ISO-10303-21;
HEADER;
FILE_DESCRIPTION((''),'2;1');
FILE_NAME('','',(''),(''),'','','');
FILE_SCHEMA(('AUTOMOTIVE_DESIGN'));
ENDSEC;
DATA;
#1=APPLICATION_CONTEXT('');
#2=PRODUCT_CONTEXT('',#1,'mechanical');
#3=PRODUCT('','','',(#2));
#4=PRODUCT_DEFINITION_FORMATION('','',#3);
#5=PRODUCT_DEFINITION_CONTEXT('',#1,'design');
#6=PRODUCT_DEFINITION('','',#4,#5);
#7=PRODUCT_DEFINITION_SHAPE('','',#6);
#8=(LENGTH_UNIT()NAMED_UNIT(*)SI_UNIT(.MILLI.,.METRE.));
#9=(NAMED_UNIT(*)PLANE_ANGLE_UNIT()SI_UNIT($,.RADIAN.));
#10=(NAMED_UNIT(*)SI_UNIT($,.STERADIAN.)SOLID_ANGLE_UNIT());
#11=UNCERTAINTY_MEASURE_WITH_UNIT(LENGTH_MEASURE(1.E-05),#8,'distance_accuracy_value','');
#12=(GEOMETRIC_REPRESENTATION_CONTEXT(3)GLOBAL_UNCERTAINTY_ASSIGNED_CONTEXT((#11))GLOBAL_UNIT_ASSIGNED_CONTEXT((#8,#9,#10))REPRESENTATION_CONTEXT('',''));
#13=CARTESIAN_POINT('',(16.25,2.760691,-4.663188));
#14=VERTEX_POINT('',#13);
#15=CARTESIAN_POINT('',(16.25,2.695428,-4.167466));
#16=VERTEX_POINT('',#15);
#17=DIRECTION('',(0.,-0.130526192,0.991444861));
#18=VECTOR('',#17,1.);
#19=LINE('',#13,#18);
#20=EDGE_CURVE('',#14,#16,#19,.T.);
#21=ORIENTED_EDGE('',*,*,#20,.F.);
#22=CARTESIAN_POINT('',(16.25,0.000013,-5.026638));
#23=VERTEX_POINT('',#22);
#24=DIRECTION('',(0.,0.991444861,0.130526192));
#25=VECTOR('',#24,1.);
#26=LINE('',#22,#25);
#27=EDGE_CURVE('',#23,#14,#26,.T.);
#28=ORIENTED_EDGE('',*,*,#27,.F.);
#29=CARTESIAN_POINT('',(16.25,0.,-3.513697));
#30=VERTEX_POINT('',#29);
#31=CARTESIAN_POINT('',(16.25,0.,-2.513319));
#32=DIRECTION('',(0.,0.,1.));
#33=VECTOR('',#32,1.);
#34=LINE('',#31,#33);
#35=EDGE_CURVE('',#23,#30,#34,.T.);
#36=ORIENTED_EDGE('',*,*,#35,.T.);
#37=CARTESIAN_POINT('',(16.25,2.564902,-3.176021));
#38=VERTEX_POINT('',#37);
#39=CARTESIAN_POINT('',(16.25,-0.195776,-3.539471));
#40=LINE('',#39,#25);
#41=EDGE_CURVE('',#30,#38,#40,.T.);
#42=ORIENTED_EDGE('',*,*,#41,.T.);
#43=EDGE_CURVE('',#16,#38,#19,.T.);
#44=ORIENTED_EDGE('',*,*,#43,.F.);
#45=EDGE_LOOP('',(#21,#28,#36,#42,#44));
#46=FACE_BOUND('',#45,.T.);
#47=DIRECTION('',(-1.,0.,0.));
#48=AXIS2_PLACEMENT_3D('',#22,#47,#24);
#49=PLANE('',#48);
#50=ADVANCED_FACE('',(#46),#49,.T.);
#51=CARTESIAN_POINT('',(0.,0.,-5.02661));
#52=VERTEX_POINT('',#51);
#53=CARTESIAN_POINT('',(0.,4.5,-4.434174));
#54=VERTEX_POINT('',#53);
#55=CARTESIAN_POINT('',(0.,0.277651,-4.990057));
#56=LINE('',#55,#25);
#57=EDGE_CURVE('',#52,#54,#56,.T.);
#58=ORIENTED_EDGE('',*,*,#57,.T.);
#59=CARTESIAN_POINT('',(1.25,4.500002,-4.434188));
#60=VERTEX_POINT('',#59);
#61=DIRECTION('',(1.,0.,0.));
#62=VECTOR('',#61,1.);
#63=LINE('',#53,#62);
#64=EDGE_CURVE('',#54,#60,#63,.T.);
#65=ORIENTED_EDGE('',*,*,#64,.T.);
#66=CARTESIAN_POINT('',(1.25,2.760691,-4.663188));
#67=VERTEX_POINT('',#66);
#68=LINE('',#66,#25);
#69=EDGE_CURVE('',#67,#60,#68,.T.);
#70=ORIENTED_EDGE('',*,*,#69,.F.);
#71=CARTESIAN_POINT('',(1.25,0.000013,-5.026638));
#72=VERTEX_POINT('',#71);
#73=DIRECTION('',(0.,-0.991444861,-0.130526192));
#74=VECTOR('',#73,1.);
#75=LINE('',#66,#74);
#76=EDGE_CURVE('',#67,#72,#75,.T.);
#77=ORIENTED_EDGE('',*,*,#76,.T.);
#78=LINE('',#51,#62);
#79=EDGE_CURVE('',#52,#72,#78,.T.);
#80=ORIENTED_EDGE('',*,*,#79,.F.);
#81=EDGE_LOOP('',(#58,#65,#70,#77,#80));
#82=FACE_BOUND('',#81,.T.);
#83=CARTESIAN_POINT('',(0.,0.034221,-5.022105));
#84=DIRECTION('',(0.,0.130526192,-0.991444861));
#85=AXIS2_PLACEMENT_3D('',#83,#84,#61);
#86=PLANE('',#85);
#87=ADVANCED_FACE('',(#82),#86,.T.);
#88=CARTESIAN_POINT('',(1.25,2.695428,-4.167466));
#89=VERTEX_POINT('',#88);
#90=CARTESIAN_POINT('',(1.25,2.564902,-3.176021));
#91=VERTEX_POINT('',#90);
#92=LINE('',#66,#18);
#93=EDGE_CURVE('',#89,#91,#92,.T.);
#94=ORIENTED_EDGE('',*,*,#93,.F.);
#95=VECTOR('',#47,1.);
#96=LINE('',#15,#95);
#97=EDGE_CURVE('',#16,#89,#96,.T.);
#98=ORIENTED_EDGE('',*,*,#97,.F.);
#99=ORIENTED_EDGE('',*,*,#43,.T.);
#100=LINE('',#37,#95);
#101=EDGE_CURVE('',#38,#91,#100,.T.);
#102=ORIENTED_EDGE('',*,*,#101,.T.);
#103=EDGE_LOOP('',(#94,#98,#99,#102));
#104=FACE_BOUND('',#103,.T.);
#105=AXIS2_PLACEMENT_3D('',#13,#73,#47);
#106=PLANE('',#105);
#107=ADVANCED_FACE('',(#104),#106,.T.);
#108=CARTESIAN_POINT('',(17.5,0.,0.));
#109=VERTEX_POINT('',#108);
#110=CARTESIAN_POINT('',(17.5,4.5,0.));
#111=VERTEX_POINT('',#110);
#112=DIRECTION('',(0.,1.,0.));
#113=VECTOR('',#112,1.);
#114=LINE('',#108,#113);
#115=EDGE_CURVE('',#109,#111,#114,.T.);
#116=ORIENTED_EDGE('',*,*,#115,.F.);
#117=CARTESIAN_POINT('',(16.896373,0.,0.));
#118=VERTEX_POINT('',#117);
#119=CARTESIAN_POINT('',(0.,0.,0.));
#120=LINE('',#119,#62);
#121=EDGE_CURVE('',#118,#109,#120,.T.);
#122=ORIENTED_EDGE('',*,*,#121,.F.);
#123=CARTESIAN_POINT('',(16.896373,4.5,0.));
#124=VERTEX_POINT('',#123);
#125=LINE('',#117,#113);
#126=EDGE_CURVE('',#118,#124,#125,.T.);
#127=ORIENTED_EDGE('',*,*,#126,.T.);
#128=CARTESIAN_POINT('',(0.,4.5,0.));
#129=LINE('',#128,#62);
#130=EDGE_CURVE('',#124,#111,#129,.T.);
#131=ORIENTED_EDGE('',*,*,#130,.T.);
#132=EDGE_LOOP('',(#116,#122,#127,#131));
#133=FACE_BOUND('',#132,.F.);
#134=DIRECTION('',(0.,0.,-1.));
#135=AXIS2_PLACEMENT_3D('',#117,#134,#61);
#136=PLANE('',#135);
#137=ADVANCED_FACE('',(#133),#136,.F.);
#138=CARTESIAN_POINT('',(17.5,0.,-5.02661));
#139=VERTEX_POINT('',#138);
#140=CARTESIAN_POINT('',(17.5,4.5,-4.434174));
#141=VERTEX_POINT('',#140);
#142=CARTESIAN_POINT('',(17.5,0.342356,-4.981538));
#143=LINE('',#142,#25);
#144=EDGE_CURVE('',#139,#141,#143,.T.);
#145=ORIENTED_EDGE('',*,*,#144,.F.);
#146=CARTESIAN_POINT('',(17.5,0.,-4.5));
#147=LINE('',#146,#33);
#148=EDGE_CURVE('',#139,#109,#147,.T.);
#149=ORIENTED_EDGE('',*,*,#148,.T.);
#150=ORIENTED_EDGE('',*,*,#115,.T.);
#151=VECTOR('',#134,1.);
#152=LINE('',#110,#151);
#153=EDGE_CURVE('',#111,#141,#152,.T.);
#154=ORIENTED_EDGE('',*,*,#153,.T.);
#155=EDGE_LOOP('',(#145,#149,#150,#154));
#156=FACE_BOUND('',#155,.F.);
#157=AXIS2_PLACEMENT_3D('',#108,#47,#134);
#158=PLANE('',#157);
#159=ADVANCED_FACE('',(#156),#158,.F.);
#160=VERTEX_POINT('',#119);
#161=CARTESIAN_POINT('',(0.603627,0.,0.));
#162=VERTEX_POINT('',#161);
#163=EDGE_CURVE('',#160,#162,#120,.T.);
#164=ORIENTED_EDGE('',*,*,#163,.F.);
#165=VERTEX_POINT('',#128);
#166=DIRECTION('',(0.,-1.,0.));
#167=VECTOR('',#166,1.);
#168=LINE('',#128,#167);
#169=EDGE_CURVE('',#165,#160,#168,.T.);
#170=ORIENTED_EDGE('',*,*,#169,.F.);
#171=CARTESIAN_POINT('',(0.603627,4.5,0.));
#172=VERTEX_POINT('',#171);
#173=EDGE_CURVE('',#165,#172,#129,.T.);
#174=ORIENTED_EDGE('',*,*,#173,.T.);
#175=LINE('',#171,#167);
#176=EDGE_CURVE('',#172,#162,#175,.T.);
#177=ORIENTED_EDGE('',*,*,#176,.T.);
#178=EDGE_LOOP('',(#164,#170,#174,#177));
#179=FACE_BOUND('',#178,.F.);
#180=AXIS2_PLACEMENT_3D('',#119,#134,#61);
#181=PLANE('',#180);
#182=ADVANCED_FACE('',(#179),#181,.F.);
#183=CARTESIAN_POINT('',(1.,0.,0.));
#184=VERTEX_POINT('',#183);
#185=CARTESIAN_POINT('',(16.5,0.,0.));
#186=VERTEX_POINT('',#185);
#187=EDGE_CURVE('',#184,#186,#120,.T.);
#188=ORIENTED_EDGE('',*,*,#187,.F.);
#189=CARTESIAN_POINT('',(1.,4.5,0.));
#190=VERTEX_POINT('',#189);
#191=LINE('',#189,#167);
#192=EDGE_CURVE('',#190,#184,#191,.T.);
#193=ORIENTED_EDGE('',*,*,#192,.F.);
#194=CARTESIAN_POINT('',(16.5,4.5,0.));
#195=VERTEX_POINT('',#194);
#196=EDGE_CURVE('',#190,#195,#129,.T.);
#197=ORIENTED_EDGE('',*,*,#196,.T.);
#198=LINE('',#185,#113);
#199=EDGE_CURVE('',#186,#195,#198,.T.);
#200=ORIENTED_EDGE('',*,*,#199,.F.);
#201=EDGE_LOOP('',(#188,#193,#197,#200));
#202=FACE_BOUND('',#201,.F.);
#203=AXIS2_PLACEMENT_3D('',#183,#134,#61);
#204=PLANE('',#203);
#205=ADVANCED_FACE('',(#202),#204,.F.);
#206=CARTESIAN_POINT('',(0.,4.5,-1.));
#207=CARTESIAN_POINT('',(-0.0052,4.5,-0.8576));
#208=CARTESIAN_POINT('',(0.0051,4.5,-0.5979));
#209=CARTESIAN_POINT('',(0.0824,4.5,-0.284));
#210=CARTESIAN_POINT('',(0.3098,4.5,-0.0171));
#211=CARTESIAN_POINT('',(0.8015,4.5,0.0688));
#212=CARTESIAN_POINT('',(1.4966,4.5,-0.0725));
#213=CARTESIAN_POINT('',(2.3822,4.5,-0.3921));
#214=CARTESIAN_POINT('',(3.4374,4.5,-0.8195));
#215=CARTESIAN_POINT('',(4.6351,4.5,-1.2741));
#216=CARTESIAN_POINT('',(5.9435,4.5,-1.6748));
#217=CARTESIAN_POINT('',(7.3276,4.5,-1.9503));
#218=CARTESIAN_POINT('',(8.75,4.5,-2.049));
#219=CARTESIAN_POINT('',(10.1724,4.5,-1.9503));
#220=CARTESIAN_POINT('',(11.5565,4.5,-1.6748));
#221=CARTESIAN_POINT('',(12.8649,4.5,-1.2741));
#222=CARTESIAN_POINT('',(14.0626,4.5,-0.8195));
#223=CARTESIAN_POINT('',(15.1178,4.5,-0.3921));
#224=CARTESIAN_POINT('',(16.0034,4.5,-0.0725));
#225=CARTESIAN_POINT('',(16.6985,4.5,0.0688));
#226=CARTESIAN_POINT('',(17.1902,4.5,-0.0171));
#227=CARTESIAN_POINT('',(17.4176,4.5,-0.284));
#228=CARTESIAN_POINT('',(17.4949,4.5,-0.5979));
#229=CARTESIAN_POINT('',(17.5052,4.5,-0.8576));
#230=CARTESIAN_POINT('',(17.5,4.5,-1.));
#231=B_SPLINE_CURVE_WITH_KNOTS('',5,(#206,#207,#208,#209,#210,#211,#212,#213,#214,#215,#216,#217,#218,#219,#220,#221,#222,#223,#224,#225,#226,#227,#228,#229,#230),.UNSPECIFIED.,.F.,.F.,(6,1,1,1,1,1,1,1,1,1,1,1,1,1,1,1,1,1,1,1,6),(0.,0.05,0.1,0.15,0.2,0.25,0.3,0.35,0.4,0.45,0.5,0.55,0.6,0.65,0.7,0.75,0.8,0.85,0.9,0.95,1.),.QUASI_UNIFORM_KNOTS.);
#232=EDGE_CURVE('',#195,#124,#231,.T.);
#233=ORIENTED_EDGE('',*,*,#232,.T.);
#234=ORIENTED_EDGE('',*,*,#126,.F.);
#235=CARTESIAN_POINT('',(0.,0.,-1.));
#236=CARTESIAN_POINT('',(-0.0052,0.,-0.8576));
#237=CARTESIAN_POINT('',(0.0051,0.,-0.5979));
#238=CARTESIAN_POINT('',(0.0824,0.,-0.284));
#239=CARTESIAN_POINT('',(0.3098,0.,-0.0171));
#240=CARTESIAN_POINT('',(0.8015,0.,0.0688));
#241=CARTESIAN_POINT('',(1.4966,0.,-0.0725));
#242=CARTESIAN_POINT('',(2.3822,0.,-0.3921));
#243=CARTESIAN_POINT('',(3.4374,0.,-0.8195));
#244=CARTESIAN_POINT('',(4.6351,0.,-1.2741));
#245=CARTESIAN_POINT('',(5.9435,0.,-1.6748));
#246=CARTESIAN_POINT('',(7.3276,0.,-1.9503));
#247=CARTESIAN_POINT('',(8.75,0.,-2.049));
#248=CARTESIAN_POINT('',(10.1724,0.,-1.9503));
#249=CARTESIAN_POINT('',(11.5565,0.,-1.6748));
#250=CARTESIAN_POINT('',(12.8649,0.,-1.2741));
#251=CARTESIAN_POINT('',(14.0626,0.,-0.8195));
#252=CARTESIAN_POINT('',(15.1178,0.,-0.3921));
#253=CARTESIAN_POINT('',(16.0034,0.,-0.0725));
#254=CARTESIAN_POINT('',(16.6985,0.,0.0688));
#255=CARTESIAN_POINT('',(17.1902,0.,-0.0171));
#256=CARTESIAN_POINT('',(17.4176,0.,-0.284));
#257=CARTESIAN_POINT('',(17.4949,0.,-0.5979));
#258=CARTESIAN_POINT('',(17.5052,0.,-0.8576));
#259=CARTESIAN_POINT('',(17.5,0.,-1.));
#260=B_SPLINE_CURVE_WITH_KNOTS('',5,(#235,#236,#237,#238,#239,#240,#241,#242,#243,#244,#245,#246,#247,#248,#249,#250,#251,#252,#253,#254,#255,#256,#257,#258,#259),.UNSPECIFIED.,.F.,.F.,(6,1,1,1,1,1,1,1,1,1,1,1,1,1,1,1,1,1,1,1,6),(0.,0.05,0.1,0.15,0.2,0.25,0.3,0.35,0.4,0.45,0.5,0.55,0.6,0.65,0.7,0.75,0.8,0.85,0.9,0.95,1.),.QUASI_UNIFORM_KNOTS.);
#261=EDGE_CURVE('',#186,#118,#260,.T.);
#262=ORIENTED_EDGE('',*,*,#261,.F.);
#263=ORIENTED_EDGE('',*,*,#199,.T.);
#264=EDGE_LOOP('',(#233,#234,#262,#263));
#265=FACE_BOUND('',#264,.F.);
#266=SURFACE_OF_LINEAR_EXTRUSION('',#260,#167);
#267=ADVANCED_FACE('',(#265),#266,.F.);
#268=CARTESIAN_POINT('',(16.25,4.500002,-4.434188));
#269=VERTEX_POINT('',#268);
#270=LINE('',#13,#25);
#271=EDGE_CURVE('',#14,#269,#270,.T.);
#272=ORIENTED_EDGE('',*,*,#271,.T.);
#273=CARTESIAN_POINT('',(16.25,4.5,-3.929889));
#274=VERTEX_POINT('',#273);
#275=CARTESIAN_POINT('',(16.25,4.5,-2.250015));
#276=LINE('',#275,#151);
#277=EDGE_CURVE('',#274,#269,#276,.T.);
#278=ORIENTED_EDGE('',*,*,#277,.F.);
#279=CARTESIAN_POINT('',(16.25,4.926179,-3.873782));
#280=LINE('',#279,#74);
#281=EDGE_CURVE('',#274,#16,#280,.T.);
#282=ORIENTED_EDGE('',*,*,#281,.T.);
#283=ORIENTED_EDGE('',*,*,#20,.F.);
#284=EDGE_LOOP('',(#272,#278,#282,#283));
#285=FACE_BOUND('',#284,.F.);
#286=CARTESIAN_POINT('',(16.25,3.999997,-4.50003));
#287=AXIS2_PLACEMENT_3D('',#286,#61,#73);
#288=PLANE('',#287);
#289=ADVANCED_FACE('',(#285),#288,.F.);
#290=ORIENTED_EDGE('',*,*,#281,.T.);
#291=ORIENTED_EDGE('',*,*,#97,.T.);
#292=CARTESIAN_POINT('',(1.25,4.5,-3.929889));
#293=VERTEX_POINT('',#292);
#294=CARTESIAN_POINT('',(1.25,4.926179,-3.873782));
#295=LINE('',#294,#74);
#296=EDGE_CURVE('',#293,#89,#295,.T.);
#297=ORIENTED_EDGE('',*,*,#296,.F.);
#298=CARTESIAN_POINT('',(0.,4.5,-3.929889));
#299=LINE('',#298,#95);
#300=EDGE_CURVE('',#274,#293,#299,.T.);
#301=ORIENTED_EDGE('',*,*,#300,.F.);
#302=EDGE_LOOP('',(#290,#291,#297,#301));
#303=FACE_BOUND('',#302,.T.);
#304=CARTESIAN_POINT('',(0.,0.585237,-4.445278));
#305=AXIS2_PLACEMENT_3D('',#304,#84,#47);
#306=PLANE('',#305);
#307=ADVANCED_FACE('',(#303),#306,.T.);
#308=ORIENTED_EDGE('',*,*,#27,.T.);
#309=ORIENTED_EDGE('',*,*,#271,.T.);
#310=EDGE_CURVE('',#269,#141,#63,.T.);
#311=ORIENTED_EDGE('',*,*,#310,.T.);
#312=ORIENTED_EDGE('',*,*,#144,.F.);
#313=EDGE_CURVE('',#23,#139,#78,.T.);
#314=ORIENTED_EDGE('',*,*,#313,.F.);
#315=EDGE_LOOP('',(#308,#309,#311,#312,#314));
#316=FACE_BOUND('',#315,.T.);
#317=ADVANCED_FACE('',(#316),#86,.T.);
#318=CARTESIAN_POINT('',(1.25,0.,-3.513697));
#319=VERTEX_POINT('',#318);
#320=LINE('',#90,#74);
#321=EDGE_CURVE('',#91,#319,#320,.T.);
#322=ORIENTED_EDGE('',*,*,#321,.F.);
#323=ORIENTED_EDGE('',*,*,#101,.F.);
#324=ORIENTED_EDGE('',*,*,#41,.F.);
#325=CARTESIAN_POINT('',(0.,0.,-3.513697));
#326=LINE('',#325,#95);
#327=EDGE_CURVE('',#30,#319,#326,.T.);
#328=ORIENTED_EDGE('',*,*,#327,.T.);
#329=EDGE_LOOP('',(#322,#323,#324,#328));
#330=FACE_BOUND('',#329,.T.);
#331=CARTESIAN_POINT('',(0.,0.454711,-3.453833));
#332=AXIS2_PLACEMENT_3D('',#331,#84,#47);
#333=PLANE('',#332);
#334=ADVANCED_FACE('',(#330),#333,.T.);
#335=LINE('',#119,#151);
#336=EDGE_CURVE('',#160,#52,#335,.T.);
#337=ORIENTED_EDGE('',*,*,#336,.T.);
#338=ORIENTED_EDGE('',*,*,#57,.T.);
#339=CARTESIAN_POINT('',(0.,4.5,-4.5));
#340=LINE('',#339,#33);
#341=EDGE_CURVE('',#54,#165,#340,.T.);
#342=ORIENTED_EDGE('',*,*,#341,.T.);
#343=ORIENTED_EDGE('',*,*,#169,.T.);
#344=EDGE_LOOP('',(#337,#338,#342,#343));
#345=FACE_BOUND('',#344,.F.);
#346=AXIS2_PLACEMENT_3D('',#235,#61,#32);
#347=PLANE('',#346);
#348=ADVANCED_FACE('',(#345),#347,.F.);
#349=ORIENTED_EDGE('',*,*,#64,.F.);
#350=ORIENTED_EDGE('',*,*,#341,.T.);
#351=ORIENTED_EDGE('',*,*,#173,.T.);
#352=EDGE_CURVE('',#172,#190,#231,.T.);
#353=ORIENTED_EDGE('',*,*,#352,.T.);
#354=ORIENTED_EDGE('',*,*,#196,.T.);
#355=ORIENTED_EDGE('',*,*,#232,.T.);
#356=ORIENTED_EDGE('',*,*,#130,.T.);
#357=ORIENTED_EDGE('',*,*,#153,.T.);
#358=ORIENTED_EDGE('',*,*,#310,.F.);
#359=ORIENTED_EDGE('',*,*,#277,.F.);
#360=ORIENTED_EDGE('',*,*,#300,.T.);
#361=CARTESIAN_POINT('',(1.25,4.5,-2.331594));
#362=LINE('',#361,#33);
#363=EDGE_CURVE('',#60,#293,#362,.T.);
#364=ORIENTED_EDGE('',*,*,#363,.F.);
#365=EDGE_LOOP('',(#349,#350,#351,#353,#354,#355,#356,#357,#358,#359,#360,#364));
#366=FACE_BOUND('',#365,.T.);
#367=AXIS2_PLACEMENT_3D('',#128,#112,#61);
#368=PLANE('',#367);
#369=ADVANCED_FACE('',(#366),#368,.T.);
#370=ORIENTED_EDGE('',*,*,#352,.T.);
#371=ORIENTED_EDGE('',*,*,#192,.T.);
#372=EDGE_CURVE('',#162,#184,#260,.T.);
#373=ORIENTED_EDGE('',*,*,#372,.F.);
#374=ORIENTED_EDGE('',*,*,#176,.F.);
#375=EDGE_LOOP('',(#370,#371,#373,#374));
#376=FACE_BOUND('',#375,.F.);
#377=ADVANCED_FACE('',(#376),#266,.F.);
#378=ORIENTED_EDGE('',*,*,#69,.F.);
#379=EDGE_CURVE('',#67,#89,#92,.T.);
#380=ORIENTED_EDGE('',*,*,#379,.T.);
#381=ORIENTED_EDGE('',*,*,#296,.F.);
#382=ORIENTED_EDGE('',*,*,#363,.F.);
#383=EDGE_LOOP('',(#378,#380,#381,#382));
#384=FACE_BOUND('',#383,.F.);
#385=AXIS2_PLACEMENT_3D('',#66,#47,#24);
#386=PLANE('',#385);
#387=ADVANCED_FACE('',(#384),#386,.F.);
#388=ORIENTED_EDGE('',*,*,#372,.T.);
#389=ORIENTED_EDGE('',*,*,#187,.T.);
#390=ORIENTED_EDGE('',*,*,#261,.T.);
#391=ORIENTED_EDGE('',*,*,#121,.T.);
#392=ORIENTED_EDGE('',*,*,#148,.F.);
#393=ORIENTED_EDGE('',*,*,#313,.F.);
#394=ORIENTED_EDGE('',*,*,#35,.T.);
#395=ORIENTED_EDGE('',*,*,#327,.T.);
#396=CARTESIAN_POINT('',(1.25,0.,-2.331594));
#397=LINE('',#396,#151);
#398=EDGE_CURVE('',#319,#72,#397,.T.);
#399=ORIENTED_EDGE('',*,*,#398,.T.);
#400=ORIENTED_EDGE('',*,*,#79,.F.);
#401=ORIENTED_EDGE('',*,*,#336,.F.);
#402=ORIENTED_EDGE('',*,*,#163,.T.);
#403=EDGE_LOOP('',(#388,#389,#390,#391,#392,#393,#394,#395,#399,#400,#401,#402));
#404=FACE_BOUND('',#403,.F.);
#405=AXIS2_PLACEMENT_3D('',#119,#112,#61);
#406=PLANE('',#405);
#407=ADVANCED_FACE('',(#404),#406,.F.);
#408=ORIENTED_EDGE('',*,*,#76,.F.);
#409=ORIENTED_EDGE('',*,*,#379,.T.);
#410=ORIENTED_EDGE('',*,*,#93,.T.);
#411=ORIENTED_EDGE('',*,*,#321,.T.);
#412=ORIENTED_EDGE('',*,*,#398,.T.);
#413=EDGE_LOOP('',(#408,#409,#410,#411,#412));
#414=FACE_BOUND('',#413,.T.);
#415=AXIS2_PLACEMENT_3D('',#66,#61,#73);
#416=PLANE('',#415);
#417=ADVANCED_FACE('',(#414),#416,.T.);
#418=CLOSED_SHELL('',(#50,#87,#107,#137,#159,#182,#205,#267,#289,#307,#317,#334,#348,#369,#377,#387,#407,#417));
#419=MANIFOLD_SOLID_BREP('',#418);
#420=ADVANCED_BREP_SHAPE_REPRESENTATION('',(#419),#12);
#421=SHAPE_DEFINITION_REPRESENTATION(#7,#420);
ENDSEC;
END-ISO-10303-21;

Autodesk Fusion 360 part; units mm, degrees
sketch "Sketch1" plane through (0, 0, 0) normal (0, 1, 0) x (1, 0, 0)
  line L0 (0, 0) -> (30, 0)
  line L1 (30, 0) -> (30, -11.5)
  line L2 (30, -11.5) -> (0, -11.5)
  line L3 (0, -11.5) -> (0, 0)
  dimension "d1" = 30
  dimension "d2" = 11.5
extrude "Extrude1" add sketch "Sketch1" along normal blind 4.5

Autodesk Fusion 360 part; units mm, degrees
sketch "Sketch1" plane through (0, 0, 0) normal (0, 1, 0) x (1, 0, 0)
  line L0 (0, 0) -> (17.5, 0)
  line L1 (17.5, 0) -> (17.5, 3)
  line L2 (17.5, 3) -> (0, 3)
  line L3 (0, 3) -> (0, 0)
  line L4 (0, 0) -> (1, 0)
  line L5 (17.5, 0) -> (16.5, 0)
  line L6 (0, 3) -> (8.75, 3)
  line L7 (0, 0) -> (0, 1)
  line L8 (17.5, 0) -> (17.5, 1)
  line L9 (8.75, 3) -> (8.75, 2)
  spline S0 degree 5 poles (0, 1) (-0.0052, 0.8576) (0.0051, 0.5979) (0.0824, 0.284) (0.3098, 0.0171) (0.8015, -0.0688) (1.4966, 0.0725) (2.3822, 0.3921) (3.4374, 0.8195) (4.6351, 1.2741) (5.9435, 1.6748) (7.3276, 1.9503) (8.75, 2.049) (10.1724, 1.9503) (11.5565, 1.6748) (12.8649, 1.2741) (14.0626, 0.8195) (15.1178, 0.3921) (16.0034, 0.0725) (16.6985, -0.0688) (17.1902, 0.0171) (17.4176, 0.284) (17.4949, 0.5979) (17.5052, 0.8576) (17.5, 1) knots 0 0 0 0 0 0 0.05 0.1 0.15 0.2 0.25 0.3 0.35 0.4 0.45 0.5 0.55 0.6 0.65 0.7 0.75 0.8 0.85 0.9 0.95 1 1 1 1 1 1
  line L10 (17.5, 3) -> (0, 3)
  line L11 (0, 3) -> (0, 4.5)
  line L12 (0, 4.5) -> (17.5, 4.5)
  line L13 (17.5, 4.5) -> (17.5, 3)
  dimension "d1" = 17.5
  dimension "d2" = 3
  dimension "d3" = 1
  dimension "d4" = 1
  dimension "d5" = 8.75
  dimension "d6" = 1
  dimension "d7" = 1
  dimension "d8" = 1
  dimension "d23" = 17.5
  dimension "d24" = 1.5
extrude "Extrude1" add sketch "Sketch1" along normal blind 4 contours L0 L3 L4 L7 S0 | L0 L2 L3 L4 L6 L9 S0 L10 | L0 L1 L5 L8 S0 | L0 L1 L2 L5 L9 S0 L10 | L2 L6 L10 L11 L12 L13
draft "Draft1" angle 7.5 neutral plane through (0, 4, 0) pull (0, 1, 0) 1 faces at (5.8333, 2.6667, -4.5)
sketch "Sketch3" plane through (0, 0.6505, -4.941) normal (0, 0.1305, -0.9914) x (-1, 0, 0)
  line L0 (-17.5, -0.6561) -> (0, -0.6561)
  line L1 (0, -0.6561) -> (0, 3.3784)
  line L2 (0, 3.3784) -> (-17.5, 3.3784)
  line L3 (-17.5, 3.3784) -> (-17.5, -0.6561)
  line L4 (-17.5, 3.3784) -> (-16.25, 3.3784)
  line L5 (-16.25, 3.3784) -> (-16.25, 2.1284)
  line L6 (-16.25, 2.1284) -> (-17.5, 2.1284)
  line L7 (-17.5, 2.1284) -> (-17.5, 3.3784)
  line L8 (-16.25, 2.1284) -> (-1.25, 2.1284)
  line L9 (-1.25, 2.1284) -> (-1.25, -0.6561)
  line L10 (-1.25, -0.6561) -> (-16.25, -0.6561)
  line L11 (-16.25, -0.6561) -> (-16.25, 2.1284)
  line L12 (-1.25, 2.1284) -> (0, 2.1284)
  line L13 (-1.25, 2.1284) -> (-1.25, 3.3784)
  line L14 (-16.25, 3.3784) -> (-1.25, 3.3784)
  line L15 (-1.25, 3.3784) -> (-1.25, 4.3784)
  line L16 (-1.25, 4.3784) -> (-16.25, 4.3784)
  line L17 (-16.25, 4.3784) -> (-16.25, 3.3784)
  dimension "d25" = 1.25
  dimension "d26" = 1.25
  dimension "d34" = 1
extrude "Extrude3" cut sketch "Sketch3" against normal blind 1.5 contours L0 L8 L9 L10 L11
extrude "Extrude4" cut sketch "Sketch3" against normal blind 0.5 contours L2 L5 L8 L13 L14 | L2 L14 L15 L16 L17
fillet "Fillet1" [suppressed]
